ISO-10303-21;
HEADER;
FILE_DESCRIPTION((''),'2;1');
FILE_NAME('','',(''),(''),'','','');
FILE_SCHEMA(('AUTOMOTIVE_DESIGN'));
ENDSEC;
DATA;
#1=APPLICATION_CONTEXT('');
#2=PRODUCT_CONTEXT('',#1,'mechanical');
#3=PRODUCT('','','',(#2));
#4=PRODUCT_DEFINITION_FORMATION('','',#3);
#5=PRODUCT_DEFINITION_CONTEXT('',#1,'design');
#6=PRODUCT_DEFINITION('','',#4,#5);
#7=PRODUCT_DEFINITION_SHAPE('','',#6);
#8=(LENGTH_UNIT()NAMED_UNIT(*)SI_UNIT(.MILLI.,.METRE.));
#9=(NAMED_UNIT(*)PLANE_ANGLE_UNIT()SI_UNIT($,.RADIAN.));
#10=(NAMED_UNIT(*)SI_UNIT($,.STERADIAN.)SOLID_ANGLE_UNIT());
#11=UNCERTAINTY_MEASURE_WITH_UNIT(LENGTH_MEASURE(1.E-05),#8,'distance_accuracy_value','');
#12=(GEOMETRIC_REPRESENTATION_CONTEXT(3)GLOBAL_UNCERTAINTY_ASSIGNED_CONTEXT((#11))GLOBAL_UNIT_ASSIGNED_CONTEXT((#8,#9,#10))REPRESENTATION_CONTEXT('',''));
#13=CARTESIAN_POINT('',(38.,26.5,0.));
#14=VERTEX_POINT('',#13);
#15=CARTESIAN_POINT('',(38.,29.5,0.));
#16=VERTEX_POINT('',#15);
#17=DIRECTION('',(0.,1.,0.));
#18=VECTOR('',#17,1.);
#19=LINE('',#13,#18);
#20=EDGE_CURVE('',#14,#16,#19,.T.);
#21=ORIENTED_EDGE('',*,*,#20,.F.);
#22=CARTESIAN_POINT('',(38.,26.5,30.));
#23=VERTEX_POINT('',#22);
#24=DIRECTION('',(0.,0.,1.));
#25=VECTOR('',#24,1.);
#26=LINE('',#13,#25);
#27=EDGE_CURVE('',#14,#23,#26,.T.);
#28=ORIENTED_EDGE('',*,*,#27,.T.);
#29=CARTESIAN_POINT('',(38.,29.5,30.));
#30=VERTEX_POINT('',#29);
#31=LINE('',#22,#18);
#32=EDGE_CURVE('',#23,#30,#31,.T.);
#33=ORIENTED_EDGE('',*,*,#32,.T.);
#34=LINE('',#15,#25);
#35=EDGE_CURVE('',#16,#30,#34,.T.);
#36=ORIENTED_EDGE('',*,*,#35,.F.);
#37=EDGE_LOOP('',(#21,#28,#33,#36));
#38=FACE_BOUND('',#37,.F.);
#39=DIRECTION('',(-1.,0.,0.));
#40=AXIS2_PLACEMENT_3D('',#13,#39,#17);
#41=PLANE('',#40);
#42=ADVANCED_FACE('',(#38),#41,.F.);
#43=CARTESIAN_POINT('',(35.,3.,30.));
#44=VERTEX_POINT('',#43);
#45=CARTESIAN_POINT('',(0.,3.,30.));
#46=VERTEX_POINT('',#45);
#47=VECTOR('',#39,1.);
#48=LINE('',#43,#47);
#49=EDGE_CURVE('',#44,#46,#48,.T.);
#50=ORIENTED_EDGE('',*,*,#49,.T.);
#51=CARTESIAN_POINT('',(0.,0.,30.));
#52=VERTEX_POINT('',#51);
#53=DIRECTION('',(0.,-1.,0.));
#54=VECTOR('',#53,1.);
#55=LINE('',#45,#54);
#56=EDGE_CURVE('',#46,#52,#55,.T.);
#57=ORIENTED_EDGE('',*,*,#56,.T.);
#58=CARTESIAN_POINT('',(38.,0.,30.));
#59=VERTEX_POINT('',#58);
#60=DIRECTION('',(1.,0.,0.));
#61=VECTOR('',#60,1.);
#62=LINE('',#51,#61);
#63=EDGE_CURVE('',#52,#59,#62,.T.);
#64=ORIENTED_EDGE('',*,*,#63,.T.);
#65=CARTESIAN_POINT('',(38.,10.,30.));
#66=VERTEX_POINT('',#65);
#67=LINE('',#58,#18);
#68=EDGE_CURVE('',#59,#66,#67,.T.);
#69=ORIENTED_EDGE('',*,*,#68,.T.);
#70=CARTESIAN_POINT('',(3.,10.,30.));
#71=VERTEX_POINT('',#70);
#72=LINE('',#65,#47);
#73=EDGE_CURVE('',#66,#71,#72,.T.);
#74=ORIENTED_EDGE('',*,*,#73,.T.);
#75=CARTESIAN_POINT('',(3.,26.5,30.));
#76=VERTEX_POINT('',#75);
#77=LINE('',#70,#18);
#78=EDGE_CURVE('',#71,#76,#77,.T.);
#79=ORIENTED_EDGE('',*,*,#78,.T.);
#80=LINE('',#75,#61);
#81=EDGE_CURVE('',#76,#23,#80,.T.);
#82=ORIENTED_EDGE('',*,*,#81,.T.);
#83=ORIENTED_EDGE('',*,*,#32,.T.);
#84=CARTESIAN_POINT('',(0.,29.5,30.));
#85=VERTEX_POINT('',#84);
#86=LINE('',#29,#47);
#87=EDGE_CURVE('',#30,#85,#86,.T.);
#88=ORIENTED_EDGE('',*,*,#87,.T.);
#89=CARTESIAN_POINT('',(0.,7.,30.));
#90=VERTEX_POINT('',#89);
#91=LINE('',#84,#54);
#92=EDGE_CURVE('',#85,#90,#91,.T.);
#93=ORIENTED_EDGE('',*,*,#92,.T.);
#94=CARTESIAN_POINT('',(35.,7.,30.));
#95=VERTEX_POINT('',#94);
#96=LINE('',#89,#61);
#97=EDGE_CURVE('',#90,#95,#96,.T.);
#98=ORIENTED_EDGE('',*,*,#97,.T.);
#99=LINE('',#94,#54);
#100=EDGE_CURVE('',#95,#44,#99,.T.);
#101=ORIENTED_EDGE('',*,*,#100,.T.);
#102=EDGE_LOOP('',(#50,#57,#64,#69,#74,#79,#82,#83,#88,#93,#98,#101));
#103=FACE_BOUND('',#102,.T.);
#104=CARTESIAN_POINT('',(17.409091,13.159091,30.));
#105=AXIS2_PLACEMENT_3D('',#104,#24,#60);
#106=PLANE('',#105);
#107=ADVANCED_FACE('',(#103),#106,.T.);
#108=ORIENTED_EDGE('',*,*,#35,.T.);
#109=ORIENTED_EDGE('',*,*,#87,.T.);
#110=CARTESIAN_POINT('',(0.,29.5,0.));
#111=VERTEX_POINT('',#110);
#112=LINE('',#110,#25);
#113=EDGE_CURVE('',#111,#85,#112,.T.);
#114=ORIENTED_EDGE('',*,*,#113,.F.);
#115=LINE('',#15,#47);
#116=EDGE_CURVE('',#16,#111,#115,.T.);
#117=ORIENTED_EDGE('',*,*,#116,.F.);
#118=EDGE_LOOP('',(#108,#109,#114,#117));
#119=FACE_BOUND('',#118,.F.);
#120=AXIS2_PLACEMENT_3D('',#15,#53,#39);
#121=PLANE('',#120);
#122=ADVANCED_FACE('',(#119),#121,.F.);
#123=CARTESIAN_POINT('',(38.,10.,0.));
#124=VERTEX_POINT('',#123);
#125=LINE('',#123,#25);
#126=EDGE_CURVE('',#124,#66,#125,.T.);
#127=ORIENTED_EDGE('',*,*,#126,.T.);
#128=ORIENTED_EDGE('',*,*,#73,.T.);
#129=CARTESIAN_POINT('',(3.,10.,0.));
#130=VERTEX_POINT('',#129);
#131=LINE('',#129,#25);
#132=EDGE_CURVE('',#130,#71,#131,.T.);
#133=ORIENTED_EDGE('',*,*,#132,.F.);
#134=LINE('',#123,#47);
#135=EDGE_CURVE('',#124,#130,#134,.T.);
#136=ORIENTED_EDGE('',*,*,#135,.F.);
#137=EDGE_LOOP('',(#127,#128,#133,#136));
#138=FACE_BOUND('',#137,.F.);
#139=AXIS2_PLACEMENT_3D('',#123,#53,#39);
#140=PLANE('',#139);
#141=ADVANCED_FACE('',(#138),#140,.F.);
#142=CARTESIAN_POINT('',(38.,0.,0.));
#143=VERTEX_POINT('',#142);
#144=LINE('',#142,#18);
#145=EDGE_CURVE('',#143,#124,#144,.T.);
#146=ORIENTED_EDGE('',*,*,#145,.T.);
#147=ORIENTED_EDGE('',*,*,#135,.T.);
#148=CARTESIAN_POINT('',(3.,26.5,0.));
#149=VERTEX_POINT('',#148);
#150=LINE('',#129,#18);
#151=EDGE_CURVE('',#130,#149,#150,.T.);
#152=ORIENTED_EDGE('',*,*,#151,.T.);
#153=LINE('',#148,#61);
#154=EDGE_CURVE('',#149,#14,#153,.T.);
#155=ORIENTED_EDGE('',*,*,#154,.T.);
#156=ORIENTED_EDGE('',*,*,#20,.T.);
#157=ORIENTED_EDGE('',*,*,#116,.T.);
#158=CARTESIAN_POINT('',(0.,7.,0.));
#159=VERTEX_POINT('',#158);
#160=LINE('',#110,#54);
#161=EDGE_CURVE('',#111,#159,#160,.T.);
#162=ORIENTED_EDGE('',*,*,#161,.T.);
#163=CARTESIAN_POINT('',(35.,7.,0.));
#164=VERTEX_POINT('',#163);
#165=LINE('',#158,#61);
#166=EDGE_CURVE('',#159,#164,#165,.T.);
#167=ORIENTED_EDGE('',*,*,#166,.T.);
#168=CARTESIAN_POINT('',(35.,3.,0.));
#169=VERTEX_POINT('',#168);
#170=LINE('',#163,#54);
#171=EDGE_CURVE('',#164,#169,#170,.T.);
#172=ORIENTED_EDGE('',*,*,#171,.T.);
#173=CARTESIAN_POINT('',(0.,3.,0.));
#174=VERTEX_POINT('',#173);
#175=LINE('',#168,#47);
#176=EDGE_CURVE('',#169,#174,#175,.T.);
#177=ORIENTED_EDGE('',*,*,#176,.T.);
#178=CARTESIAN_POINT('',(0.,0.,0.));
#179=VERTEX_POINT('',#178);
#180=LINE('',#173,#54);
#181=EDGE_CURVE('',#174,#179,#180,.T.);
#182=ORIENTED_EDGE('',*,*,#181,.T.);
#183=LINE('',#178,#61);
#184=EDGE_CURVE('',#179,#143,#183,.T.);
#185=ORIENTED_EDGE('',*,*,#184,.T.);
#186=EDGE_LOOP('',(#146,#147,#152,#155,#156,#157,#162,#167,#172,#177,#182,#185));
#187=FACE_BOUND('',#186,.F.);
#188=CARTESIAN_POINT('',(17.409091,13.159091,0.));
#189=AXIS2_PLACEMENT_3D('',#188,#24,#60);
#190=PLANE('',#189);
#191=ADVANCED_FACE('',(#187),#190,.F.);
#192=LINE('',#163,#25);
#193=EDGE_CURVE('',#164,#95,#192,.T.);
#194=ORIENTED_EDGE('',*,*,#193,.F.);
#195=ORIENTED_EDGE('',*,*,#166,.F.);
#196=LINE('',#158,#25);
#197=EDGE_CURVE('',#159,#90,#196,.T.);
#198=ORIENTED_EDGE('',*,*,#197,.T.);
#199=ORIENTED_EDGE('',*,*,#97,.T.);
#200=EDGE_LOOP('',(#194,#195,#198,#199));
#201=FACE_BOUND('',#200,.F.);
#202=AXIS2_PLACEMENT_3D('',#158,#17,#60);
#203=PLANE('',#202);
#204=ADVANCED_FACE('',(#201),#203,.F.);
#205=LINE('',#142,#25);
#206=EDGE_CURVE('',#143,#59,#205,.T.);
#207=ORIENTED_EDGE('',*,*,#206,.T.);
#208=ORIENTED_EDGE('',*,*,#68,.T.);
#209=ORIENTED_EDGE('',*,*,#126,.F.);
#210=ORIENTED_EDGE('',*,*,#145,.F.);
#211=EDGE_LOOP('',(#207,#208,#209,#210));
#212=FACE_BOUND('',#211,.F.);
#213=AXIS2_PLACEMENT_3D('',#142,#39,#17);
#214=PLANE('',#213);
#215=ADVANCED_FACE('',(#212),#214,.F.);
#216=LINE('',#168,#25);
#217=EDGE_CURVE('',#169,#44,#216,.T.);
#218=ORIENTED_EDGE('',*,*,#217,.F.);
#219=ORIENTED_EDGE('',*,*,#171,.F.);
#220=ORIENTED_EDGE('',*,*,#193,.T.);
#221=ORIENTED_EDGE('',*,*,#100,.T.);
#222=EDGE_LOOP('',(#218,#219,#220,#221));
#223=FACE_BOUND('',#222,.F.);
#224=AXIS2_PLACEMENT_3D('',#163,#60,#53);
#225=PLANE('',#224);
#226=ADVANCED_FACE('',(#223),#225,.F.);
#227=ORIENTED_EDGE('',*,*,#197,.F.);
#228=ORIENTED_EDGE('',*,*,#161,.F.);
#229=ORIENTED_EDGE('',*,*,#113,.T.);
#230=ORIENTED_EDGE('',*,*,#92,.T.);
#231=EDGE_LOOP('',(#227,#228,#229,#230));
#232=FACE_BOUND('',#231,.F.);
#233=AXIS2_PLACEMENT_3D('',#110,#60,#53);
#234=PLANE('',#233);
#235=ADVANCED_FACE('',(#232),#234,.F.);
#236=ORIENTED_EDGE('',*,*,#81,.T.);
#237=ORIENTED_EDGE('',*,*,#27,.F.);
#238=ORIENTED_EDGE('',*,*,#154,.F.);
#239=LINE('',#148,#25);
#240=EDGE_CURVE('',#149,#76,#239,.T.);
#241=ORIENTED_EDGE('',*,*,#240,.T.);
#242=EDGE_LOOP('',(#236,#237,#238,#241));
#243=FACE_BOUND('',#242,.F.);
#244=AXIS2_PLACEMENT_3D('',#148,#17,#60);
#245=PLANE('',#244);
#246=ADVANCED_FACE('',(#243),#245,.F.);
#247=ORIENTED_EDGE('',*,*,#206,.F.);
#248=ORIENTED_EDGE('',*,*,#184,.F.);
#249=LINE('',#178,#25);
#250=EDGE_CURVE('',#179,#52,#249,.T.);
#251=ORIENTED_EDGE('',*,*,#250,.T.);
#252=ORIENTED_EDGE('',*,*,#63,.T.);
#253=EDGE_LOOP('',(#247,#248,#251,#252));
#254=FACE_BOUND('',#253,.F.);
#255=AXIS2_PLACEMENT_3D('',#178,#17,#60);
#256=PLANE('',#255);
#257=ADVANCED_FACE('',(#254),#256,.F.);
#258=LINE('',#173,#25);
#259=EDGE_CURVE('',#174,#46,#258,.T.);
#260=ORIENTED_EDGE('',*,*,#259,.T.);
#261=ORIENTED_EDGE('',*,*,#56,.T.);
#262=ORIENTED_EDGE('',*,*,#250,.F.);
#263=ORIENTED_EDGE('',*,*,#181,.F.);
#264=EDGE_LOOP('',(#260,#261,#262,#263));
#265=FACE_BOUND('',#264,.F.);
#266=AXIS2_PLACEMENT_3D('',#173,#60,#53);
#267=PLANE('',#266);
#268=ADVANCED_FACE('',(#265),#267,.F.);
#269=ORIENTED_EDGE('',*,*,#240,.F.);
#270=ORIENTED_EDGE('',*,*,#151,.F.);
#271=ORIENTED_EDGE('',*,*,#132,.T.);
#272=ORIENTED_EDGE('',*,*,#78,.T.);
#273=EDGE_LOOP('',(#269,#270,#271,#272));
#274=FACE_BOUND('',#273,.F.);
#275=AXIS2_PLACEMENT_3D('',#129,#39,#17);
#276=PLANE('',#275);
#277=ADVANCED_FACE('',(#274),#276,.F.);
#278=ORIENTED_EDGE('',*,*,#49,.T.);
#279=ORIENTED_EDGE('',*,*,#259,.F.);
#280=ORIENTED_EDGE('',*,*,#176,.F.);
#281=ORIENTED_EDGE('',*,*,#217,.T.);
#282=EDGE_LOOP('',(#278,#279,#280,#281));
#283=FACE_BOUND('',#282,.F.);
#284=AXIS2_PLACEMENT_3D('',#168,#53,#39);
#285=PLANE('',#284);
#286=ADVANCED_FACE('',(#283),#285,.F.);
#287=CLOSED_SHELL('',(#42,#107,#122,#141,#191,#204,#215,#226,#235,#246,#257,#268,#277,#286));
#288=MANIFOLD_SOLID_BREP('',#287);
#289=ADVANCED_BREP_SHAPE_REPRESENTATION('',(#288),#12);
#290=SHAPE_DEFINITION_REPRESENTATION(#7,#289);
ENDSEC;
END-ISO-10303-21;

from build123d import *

# Parameters (mm, degrees)
PAD_DEPTH = 30


with BuildPart() as part:
    # Sketch → Pad (new body)
    with BuildSketch(Plane.XY):
        Polygon((38, 29.5), (0, 29.5), (0, 7), (35, 7), (35, 3), (0, 3), (0, 0), (38, 0), (38, 10), (3, 10), (3, 26.5), (38, 26.5), align=None)
    extrude(amount=PAD_DEPTH)


solid = part.part
